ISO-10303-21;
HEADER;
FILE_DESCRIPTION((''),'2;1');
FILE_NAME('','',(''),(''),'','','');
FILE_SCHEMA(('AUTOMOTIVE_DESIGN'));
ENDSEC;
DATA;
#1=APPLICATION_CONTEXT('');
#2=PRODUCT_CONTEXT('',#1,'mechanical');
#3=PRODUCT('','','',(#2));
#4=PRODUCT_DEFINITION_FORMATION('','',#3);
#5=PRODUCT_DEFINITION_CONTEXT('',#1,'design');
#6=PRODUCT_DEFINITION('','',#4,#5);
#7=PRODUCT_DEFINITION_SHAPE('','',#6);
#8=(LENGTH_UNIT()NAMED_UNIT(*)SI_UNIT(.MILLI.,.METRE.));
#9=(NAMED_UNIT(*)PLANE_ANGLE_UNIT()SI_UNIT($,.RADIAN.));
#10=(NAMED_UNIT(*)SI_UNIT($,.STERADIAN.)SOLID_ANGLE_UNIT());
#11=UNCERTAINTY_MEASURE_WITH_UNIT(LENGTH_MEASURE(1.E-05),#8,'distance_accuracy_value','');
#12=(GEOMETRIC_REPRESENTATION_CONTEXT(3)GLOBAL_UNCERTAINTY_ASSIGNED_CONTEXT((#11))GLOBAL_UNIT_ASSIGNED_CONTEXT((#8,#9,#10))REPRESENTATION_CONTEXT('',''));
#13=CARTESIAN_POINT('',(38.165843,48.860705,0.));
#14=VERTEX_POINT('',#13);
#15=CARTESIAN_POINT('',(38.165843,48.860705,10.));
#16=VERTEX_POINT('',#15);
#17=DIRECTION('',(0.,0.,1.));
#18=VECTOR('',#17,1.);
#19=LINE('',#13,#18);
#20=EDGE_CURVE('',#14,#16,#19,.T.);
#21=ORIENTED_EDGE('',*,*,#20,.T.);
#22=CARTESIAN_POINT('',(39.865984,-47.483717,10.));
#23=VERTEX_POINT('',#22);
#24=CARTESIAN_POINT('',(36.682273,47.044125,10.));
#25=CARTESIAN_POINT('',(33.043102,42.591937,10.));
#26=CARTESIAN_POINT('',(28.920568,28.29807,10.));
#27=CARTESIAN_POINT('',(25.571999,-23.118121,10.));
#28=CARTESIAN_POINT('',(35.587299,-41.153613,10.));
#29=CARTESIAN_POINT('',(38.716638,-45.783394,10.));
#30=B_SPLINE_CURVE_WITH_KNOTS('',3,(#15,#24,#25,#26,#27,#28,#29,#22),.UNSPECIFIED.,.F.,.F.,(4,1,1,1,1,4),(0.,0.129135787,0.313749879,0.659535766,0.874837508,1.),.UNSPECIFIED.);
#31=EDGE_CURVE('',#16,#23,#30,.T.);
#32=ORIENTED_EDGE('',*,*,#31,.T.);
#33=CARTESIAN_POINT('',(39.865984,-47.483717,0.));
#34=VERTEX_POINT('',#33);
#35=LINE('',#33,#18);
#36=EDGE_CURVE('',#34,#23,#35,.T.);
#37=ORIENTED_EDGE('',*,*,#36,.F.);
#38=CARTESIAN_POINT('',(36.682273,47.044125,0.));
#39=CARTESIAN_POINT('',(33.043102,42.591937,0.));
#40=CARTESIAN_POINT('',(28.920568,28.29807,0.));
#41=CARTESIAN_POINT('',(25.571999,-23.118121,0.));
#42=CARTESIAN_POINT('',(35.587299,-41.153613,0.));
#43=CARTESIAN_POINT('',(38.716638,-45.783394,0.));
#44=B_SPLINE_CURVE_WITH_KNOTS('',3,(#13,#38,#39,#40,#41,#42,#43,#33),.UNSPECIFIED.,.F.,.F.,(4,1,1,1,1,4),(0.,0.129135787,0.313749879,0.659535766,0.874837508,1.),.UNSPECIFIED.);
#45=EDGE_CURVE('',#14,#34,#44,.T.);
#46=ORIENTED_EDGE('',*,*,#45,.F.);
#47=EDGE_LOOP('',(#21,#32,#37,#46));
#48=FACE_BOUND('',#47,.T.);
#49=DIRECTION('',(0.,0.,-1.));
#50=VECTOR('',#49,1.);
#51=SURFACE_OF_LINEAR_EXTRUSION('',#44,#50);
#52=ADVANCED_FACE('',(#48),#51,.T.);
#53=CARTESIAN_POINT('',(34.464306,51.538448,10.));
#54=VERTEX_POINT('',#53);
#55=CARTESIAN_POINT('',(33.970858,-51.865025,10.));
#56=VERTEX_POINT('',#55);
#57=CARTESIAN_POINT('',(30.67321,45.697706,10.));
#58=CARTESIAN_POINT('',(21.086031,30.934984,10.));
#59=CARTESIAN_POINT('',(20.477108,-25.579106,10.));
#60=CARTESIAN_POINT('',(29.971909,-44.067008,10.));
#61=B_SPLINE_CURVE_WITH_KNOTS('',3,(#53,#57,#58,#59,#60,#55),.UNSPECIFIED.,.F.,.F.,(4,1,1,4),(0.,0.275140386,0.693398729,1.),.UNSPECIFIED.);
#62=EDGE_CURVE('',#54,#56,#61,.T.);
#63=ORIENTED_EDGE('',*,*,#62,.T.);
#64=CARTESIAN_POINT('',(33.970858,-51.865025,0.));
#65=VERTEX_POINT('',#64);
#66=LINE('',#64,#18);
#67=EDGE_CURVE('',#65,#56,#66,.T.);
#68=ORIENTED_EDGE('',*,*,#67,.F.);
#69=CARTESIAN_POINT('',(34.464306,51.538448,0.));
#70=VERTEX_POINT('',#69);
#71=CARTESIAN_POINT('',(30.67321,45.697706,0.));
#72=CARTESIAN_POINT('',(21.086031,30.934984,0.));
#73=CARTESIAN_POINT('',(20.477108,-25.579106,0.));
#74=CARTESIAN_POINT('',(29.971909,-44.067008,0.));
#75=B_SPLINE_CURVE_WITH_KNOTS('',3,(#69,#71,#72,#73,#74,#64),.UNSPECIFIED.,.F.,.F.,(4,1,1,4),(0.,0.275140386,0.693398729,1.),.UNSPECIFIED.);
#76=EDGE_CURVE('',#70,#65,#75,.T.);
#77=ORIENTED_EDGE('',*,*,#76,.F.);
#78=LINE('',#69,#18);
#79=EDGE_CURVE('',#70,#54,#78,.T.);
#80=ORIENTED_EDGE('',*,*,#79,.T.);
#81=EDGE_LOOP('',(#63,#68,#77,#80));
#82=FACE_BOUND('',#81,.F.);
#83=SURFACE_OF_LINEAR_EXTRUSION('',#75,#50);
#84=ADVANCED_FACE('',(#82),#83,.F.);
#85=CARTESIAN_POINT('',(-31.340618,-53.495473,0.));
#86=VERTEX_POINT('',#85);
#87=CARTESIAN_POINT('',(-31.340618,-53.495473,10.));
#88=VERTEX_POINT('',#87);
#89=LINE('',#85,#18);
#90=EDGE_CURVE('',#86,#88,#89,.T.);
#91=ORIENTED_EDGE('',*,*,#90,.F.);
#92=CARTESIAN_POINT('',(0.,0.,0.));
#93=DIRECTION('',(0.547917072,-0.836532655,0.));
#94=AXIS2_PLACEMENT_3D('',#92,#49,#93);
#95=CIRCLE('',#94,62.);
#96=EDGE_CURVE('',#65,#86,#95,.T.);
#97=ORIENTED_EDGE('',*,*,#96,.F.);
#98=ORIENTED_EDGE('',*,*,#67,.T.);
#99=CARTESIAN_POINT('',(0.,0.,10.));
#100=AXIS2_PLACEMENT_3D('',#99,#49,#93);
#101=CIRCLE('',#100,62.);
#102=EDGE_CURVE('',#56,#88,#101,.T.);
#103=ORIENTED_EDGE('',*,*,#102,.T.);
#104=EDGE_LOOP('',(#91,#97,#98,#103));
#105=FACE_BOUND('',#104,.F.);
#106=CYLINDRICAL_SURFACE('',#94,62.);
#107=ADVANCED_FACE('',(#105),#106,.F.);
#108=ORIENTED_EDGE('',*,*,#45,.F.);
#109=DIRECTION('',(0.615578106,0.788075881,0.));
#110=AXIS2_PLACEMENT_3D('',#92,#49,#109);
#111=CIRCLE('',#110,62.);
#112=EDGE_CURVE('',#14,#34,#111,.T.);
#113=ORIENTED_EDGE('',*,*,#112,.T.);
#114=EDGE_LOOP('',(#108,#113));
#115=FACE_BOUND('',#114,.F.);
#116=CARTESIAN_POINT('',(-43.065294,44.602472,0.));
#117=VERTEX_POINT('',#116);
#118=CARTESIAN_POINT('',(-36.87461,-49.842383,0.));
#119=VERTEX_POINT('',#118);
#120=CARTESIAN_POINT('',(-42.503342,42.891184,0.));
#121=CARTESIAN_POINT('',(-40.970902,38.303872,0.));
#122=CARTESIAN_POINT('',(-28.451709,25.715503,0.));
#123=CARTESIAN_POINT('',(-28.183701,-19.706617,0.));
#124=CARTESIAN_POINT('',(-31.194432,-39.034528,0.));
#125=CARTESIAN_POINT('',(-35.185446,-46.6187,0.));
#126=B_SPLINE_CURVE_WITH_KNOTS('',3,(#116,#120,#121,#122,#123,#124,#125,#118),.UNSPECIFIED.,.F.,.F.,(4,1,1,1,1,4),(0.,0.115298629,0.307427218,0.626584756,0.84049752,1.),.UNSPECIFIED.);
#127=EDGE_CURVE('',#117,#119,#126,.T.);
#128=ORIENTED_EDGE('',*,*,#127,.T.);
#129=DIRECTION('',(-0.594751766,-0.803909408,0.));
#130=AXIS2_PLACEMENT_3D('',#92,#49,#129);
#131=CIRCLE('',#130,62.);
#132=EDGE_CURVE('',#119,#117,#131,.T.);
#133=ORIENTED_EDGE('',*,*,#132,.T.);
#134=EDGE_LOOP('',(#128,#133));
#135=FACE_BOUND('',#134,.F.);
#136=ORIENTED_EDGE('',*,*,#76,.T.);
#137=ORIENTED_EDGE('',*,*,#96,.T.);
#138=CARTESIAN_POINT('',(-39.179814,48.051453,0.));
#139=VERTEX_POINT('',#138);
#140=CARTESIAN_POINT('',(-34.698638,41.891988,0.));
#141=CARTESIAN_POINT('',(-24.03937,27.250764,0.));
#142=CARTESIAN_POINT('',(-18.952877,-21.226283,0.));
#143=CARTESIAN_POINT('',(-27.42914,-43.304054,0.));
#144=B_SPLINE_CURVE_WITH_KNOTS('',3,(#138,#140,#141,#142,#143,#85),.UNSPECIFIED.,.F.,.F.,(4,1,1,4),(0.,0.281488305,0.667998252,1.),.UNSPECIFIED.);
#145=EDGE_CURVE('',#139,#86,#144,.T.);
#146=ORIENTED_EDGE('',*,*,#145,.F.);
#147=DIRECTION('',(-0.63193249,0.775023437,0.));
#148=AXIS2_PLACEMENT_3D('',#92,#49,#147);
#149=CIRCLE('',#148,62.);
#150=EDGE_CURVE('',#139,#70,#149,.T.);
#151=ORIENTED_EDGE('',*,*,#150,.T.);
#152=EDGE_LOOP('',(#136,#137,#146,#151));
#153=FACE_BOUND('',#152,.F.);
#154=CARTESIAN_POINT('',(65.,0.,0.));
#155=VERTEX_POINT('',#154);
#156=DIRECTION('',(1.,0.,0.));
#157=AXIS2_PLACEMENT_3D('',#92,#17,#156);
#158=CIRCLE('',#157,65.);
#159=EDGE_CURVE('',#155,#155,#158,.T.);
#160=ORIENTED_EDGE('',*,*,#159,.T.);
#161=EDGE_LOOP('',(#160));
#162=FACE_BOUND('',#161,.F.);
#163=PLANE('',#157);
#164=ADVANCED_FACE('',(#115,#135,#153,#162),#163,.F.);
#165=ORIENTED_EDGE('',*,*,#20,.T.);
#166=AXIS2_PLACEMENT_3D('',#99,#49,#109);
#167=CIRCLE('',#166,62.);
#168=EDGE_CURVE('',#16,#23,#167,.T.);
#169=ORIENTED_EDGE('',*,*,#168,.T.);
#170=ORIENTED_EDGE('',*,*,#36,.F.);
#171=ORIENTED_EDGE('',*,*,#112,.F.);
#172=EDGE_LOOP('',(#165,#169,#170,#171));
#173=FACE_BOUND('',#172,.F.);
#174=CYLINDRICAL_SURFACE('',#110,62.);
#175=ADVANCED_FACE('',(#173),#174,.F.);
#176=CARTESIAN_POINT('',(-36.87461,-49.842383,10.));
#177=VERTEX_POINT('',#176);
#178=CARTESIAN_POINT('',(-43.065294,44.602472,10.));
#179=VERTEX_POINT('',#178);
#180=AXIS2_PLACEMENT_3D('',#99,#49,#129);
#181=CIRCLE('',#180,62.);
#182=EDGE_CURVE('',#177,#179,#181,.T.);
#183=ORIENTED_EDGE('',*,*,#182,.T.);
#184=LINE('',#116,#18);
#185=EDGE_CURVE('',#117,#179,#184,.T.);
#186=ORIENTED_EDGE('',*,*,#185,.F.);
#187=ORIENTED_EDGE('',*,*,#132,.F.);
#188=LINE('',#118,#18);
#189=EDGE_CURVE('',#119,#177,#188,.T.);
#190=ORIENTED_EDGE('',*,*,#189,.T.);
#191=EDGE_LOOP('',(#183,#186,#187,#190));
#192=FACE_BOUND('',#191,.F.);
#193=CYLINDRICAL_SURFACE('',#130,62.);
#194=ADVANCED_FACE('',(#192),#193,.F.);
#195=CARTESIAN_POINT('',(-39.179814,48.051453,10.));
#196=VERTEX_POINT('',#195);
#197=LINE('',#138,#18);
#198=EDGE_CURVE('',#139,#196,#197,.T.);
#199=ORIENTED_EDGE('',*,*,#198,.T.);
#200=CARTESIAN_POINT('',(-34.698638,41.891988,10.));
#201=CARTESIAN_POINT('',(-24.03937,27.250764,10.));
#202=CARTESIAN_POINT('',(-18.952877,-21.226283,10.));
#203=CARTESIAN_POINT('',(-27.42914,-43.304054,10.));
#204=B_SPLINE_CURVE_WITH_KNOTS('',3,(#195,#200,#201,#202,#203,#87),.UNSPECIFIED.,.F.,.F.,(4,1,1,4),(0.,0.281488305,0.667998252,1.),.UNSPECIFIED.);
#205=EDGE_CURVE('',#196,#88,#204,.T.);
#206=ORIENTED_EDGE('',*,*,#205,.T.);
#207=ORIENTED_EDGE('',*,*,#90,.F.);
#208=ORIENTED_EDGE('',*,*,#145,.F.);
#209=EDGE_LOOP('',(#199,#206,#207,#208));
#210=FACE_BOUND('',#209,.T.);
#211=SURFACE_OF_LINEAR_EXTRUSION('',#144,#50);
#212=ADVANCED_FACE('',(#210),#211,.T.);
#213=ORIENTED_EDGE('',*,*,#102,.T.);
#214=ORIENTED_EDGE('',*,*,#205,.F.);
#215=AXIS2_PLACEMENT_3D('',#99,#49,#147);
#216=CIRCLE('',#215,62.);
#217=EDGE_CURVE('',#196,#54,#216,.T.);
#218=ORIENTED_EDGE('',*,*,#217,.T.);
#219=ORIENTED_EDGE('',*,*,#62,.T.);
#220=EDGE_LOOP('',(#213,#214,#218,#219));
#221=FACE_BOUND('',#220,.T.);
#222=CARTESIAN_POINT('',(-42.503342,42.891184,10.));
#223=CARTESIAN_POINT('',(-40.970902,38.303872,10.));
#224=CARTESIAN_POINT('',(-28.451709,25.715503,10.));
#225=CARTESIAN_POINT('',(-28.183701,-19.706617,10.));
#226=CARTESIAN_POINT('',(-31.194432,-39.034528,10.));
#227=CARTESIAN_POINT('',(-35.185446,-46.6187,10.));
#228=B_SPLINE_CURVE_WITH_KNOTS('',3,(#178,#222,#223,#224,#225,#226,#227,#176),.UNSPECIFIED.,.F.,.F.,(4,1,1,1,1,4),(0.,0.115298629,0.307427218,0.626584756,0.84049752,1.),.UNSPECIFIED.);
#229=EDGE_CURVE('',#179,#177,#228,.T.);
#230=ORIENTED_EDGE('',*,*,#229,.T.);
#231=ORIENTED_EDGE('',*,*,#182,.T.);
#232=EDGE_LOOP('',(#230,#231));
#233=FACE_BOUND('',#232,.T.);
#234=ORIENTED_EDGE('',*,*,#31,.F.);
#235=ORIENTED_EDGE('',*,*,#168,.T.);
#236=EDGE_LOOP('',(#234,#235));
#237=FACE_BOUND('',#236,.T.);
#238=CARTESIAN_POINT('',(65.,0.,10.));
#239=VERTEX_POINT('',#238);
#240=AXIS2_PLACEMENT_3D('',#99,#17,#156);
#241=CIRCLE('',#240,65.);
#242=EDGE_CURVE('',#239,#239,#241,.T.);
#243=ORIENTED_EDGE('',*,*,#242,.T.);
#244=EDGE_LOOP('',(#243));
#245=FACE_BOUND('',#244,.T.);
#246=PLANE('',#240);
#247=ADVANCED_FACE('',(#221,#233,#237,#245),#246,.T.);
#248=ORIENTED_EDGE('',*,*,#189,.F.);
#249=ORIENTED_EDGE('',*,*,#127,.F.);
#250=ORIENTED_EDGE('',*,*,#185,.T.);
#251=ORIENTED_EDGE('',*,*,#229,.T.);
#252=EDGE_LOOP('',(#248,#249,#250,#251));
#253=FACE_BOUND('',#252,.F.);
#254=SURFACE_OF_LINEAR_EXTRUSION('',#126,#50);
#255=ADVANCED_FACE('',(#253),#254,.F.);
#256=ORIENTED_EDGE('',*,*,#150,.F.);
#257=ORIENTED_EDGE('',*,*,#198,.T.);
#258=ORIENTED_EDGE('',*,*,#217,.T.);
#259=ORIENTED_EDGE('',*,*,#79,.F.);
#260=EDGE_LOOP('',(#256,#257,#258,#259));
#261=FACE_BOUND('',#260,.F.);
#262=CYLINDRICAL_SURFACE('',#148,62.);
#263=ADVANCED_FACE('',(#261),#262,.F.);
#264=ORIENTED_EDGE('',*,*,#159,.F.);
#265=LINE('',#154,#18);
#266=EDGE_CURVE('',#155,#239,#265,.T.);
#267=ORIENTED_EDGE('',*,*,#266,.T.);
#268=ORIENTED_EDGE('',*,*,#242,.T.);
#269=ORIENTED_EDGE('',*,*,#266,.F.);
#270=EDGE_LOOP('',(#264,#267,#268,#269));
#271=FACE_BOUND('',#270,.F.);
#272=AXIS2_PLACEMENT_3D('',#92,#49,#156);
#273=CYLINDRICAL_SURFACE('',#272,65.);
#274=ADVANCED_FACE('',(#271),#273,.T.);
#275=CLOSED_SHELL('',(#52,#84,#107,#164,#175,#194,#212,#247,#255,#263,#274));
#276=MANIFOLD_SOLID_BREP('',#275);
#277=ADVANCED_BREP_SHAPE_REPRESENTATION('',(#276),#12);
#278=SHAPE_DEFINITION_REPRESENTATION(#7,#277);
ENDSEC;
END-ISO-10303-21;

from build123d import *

# Parameters (mm, degrees)
F0_R     = 65
F1_DEPTH = 10


with BuildPart() as f1:
    # F0 (on Top) → F1 (new body)
    with BuildSketch(Plane.XY):
        Circle(F0_R)
        with BuildLine():
            ThreePointArc((-36.8746095084, -49.8423833058), (-61.8672343645, -4.055281999), (-43.0652938596, 44.6024715099))
            add(Edge.make_bspline(
                [(-43.0652938596, 44.6024715099), (-42.5033416405, 42.8911841499), (-40.9709017736, 38.303872311), (-28.4517087875, 25.7155025347), (-28.1837010223, -19.7066171871), (-31.1944319439, -39.0345282475), (-35.1854456212, -46.6187002101), (-36.8746095084, -49.8423833058)],
                knots=[0, 0, 0, 0, 0.1152986287, 0.3074272184, 0.6265847555, 0.8404975198, 1, 1, 1, 1], degree=3))
        make_face(mode=Mode.SUBTRACT)
        with BuildLine():
            add(Edge.make_bspline(
                [(-39.1798144104, 48.0514530765), (-34.6986380376, 41.8919884344), (-24.039370044, 27.2507644636), (-18.9528770593, -21.226282887), (-27.429139563, -43.304054129), (-31.3406179812, -53.495473309)],
                knots=[0, 0, 0, 0, 0.2814883048, 0.6679982518, 1, 1, 1, 1], degree=3))
            ThreePointArc((-39.1798144104, 48.0514530765), (-2.9323690605, 61.9306161094), (34.4643059461, 51.5384479361))
            add(Edge.make_bspline(
                [(34.4643059461, 51.5384479361), (30.6732095502, 45.6977064492), (21.0860305134, 30.9349836199), (20.4771082518, -25.5791064122), (29.9719090924, -44.0670076219), (33.9708584681, -51.8650245825)],
                knots=[0, 0, 0, 0, 0.2751403863, 0.6933987291, 1, 1, 1, 1], degree=3))
            ThreePointArc((33.9708584681, -51.8650245825), (1.5472982961, -61.9806894765), (-31.3406179812, -53.495473309))
        make_face(mode=Mode.SUBTRACT)
        with BuildLine():
            add(Edge.make_bspline(
                [(38.1658426028, 48.8607046451), (36.6822734458, 47.0441253501), (33.0431017142, 42.5919373879), (28.9205676695, 28.2980702425), (25.5719986033, -23.1181205281), (35.5872991076, -41.153613441), (38.716637719, -45.7833935118), (39.8659837323, -47.4837165885)],
                knots=[0, 0, 0, 0, 0.1291357873, 0.3137498794, 0.6595357661, 0.8748375082, 1, 1, 1, 1], degree=3))
            ThreePointArc((38.1658426028, 48.8607046451), (61.9903488941, 1.0939122415), (39.8659837323, -47.4837165885))
        make_face(mode=Mode.SUBTRACT)
    extrude(amount=F1_DEPTH)


solid = f1.part
